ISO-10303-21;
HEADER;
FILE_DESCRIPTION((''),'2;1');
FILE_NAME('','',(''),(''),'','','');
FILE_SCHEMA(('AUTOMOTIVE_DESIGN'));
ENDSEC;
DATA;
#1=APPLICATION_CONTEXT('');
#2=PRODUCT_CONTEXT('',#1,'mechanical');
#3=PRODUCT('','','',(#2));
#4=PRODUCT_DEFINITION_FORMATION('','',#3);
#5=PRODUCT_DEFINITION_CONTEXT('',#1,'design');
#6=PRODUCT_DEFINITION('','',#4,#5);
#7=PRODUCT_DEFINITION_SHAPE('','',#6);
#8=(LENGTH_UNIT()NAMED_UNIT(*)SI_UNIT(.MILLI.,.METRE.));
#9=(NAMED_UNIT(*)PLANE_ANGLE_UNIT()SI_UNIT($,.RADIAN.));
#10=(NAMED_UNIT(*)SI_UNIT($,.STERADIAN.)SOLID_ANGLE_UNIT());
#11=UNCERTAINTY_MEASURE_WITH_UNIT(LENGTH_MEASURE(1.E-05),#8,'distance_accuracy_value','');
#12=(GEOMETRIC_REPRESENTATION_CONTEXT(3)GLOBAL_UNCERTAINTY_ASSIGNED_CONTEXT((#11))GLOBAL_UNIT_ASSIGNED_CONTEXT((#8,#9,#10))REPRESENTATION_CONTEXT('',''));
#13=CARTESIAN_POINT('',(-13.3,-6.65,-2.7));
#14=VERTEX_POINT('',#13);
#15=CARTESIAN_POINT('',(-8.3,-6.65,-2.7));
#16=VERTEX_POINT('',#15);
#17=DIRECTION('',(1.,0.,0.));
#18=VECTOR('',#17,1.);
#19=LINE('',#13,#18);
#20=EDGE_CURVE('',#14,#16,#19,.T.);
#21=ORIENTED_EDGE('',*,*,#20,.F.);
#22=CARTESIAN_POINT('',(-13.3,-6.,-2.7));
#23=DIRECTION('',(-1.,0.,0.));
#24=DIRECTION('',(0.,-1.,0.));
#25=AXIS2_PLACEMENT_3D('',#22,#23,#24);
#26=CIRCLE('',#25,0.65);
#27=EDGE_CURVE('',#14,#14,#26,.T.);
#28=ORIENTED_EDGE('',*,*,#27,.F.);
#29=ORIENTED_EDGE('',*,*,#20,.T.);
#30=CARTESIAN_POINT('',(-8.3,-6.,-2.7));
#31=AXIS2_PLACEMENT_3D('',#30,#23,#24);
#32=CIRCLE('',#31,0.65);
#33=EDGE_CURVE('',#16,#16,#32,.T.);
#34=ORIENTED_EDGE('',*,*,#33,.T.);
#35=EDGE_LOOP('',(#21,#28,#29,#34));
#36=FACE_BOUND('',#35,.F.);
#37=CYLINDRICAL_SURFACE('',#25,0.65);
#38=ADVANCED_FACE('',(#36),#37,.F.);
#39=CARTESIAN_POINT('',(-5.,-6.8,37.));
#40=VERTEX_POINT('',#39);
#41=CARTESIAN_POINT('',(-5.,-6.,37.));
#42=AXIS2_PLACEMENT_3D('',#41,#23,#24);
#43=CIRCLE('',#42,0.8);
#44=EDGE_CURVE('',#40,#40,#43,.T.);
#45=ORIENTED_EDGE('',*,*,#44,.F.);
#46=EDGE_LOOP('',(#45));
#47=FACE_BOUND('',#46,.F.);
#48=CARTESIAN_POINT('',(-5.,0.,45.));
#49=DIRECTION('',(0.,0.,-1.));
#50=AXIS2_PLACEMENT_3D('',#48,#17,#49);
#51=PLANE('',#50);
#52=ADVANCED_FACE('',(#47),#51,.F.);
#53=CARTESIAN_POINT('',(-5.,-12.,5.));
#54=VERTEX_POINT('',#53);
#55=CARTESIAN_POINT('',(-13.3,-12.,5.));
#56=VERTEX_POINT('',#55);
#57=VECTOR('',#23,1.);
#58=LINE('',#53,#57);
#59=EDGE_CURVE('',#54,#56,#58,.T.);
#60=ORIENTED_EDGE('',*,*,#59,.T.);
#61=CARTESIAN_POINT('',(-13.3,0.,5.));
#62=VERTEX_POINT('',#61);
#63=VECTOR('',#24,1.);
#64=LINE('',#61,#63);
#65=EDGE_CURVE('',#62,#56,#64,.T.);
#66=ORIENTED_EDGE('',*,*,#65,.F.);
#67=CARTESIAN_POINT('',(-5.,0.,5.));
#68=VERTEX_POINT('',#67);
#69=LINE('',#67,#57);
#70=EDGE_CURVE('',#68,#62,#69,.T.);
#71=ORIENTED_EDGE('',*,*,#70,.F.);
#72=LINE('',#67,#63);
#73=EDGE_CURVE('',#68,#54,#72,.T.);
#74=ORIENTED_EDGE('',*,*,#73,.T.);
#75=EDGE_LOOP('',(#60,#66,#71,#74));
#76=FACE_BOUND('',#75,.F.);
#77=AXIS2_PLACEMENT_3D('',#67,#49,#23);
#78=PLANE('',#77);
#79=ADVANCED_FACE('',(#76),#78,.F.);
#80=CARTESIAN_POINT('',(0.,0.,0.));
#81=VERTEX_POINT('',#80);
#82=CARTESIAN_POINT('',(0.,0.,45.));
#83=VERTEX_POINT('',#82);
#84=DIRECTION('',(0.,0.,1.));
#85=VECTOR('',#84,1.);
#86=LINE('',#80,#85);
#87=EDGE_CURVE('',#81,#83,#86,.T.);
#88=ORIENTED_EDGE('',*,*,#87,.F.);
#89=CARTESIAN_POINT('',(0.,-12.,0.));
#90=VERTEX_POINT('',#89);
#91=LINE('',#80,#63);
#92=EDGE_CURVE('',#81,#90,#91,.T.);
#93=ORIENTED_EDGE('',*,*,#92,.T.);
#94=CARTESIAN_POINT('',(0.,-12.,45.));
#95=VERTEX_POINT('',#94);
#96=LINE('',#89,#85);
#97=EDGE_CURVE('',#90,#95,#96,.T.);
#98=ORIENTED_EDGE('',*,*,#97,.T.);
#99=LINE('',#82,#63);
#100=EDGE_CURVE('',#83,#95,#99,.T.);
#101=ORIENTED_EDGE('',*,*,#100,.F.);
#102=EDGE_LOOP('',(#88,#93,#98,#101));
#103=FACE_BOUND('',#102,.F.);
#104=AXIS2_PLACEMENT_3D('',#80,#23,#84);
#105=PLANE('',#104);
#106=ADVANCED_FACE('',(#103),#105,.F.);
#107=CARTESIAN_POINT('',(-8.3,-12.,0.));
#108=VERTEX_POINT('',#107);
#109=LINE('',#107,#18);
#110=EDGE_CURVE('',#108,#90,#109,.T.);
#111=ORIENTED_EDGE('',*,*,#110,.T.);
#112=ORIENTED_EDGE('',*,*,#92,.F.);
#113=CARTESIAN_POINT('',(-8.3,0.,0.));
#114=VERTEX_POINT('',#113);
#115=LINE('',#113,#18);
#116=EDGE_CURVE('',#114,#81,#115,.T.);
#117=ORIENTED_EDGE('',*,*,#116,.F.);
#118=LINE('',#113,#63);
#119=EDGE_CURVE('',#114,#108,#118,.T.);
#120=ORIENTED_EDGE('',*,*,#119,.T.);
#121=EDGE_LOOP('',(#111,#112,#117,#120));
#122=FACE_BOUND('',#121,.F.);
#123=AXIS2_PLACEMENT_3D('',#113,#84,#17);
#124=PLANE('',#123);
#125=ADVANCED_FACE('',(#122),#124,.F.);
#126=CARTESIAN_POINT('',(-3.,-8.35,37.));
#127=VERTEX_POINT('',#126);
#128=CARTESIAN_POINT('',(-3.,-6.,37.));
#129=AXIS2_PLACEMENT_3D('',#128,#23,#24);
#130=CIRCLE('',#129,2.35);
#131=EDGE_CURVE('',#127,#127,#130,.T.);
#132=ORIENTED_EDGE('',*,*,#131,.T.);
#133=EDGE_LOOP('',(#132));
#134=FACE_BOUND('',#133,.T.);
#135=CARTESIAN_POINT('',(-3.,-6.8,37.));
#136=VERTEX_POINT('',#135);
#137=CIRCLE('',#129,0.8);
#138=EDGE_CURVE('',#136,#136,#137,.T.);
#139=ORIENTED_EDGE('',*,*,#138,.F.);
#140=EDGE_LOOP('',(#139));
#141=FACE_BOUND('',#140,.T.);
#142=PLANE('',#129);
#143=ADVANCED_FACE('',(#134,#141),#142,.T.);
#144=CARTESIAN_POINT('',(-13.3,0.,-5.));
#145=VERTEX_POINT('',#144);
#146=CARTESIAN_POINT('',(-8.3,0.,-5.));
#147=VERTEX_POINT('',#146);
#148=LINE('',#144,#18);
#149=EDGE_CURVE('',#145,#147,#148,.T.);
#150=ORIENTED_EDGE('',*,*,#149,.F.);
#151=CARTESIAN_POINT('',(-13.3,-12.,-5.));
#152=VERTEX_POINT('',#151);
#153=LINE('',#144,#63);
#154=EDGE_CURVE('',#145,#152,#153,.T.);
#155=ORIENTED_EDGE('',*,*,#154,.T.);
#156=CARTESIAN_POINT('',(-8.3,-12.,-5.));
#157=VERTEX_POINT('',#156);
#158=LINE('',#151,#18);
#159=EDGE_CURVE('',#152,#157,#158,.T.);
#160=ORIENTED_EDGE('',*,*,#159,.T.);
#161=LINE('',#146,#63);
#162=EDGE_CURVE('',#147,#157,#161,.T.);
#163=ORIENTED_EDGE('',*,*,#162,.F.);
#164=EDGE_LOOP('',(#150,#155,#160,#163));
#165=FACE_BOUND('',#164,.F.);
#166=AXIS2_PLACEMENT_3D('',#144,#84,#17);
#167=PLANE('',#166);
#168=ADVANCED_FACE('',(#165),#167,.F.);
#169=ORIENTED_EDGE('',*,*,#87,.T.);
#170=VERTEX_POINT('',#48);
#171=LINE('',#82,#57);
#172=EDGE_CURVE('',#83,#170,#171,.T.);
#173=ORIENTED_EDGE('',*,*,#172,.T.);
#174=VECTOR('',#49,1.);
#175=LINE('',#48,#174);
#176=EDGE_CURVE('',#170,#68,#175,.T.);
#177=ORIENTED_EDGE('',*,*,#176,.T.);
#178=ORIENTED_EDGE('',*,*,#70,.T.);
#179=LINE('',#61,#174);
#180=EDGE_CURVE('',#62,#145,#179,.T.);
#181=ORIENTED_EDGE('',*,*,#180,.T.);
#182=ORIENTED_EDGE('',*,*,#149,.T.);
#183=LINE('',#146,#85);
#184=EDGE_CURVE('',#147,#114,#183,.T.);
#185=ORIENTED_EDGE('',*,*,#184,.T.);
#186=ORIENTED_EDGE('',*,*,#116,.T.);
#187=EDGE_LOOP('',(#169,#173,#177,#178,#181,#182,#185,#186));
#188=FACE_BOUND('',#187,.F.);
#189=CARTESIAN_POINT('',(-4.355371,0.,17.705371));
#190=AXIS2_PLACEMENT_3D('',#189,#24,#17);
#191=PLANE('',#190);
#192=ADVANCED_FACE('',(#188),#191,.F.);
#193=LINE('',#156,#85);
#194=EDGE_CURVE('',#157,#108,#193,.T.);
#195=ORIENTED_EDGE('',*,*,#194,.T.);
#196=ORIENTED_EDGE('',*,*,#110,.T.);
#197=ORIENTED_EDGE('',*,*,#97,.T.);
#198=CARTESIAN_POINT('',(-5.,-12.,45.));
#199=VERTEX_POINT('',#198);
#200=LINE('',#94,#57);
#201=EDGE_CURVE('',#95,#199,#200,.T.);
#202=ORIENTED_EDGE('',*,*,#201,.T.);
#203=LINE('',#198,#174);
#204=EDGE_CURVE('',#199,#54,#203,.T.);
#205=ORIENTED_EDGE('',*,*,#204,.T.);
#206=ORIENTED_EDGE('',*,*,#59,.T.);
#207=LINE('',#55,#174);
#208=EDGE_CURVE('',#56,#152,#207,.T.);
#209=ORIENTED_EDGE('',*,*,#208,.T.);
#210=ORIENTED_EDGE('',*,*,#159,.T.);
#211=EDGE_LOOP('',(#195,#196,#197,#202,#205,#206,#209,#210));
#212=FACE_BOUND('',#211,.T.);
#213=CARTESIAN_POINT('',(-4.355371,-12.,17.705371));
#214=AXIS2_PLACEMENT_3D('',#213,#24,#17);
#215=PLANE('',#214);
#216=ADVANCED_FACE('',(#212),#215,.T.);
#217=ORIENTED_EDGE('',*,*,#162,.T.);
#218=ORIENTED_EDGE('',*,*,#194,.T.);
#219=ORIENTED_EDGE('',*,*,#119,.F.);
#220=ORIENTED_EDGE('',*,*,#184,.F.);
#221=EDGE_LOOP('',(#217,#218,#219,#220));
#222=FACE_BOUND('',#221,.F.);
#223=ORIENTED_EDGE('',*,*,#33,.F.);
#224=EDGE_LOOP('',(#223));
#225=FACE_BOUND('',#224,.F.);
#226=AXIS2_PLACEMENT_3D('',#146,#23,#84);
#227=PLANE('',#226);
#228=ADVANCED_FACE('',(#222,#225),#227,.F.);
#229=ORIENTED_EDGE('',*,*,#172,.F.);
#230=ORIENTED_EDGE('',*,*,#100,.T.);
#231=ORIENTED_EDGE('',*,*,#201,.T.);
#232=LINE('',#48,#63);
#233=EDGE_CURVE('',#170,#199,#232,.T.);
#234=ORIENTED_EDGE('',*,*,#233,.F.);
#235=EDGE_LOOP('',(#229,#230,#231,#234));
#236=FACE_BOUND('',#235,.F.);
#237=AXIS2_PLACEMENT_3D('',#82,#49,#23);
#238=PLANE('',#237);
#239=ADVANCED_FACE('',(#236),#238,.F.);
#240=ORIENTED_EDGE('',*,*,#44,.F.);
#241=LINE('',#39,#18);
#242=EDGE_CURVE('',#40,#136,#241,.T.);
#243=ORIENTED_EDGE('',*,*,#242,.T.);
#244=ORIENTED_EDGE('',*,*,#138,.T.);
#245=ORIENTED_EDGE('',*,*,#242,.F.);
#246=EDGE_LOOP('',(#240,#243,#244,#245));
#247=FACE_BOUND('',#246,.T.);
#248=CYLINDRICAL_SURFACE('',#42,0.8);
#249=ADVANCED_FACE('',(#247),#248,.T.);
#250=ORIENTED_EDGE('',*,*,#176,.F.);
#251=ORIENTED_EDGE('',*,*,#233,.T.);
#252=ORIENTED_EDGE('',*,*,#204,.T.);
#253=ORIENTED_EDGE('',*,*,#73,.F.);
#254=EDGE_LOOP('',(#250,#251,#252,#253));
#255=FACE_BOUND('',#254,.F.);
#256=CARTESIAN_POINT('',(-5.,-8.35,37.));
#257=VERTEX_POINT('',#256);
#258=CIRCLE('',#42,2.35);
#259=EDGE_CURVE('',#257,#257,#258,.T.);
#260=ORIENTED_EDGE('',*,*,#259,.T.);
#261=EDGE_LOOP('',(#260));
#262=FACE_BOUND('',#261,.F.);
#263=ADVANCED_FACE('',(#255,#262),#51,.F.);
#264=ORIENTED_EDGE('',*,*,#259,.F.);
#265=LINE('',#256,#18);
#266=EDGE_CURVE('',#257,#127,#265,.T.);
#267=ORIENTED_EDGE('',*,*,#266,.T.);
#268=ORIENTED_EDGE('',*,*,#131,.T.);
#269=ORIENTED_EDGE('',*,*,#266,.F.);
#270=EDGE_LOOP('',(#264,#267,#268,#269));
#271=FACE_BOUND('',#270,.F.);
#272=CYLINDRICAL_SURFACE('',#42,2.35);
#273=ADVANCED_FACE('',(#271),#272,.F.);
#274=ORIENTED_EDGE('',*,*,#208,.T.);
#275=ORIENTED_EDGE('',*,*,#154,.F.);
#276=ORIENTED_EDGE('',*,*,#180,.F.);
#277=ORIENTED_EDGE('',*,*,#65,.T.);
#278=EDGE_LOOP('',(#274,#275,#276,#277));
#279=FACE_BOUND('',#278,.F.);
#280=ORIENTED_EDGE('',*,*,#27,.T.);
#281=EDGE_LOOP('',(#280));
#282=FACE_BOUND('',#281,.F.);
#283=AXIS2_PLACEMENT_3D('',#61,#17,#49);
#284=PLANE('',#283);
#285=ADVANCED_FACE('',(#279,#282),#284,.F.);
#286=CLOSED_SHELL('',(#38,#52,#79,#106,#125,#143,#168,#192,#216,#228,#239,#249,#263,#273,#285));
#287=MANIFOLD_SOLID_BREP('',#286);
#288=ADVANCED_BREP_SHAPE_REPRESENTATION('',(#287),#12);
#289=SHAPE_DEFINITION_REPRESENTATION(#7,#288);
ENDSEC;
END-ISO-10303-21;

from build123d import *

# Parameters (mm, degrees)
F1_DEPTH = 12
F2_R     = 0.65
F3_DEPTH = 5
F4_R     = 2.35
F4_R_2   = 0.8
F5_DEPTH = 2


with BuildPart() as f1:
    # F0 (on Front) → F1 (new body)
    with BuildSketch(Plane.XZ):
        Polygon((-13.3, 5), (-13.3, -5), (-8.3, -5), (-8.3, 0), (0, 0), (0, 45), (-5, 45), (-5, 5), align=None)
    extrude(amount=F1_DEPTH)

    # F2 (on face) → F3 (cut)
    with BuildSketch(Plane(origin=(-13.3, 0, 0), x_dir=(0, -1, 0), z_dir=(-1, 0, 0))):
        with Locations((6, -2.7)):
            Circle(F2_R)
    extrude(amount=-F3_DEPTH, mode=Mode.SUBTRACT)

    # F4 (on face) → F5 (cut)
    with BuildSketch(Plane(origin=(-5, 0, 0), x_dir=(0, -1, 0), z_dir=(-1, 0, 0))):
        with Locations((6, 37)):
            Circle(F4_R)
        with Locations((6, 37)):
            Circle(F4_R_2, mode=Mode.SUBTRACT)
    extrude(amount=-F5_DEPTH, mode=Mode.SUBTRACT)


solid = f1.part
